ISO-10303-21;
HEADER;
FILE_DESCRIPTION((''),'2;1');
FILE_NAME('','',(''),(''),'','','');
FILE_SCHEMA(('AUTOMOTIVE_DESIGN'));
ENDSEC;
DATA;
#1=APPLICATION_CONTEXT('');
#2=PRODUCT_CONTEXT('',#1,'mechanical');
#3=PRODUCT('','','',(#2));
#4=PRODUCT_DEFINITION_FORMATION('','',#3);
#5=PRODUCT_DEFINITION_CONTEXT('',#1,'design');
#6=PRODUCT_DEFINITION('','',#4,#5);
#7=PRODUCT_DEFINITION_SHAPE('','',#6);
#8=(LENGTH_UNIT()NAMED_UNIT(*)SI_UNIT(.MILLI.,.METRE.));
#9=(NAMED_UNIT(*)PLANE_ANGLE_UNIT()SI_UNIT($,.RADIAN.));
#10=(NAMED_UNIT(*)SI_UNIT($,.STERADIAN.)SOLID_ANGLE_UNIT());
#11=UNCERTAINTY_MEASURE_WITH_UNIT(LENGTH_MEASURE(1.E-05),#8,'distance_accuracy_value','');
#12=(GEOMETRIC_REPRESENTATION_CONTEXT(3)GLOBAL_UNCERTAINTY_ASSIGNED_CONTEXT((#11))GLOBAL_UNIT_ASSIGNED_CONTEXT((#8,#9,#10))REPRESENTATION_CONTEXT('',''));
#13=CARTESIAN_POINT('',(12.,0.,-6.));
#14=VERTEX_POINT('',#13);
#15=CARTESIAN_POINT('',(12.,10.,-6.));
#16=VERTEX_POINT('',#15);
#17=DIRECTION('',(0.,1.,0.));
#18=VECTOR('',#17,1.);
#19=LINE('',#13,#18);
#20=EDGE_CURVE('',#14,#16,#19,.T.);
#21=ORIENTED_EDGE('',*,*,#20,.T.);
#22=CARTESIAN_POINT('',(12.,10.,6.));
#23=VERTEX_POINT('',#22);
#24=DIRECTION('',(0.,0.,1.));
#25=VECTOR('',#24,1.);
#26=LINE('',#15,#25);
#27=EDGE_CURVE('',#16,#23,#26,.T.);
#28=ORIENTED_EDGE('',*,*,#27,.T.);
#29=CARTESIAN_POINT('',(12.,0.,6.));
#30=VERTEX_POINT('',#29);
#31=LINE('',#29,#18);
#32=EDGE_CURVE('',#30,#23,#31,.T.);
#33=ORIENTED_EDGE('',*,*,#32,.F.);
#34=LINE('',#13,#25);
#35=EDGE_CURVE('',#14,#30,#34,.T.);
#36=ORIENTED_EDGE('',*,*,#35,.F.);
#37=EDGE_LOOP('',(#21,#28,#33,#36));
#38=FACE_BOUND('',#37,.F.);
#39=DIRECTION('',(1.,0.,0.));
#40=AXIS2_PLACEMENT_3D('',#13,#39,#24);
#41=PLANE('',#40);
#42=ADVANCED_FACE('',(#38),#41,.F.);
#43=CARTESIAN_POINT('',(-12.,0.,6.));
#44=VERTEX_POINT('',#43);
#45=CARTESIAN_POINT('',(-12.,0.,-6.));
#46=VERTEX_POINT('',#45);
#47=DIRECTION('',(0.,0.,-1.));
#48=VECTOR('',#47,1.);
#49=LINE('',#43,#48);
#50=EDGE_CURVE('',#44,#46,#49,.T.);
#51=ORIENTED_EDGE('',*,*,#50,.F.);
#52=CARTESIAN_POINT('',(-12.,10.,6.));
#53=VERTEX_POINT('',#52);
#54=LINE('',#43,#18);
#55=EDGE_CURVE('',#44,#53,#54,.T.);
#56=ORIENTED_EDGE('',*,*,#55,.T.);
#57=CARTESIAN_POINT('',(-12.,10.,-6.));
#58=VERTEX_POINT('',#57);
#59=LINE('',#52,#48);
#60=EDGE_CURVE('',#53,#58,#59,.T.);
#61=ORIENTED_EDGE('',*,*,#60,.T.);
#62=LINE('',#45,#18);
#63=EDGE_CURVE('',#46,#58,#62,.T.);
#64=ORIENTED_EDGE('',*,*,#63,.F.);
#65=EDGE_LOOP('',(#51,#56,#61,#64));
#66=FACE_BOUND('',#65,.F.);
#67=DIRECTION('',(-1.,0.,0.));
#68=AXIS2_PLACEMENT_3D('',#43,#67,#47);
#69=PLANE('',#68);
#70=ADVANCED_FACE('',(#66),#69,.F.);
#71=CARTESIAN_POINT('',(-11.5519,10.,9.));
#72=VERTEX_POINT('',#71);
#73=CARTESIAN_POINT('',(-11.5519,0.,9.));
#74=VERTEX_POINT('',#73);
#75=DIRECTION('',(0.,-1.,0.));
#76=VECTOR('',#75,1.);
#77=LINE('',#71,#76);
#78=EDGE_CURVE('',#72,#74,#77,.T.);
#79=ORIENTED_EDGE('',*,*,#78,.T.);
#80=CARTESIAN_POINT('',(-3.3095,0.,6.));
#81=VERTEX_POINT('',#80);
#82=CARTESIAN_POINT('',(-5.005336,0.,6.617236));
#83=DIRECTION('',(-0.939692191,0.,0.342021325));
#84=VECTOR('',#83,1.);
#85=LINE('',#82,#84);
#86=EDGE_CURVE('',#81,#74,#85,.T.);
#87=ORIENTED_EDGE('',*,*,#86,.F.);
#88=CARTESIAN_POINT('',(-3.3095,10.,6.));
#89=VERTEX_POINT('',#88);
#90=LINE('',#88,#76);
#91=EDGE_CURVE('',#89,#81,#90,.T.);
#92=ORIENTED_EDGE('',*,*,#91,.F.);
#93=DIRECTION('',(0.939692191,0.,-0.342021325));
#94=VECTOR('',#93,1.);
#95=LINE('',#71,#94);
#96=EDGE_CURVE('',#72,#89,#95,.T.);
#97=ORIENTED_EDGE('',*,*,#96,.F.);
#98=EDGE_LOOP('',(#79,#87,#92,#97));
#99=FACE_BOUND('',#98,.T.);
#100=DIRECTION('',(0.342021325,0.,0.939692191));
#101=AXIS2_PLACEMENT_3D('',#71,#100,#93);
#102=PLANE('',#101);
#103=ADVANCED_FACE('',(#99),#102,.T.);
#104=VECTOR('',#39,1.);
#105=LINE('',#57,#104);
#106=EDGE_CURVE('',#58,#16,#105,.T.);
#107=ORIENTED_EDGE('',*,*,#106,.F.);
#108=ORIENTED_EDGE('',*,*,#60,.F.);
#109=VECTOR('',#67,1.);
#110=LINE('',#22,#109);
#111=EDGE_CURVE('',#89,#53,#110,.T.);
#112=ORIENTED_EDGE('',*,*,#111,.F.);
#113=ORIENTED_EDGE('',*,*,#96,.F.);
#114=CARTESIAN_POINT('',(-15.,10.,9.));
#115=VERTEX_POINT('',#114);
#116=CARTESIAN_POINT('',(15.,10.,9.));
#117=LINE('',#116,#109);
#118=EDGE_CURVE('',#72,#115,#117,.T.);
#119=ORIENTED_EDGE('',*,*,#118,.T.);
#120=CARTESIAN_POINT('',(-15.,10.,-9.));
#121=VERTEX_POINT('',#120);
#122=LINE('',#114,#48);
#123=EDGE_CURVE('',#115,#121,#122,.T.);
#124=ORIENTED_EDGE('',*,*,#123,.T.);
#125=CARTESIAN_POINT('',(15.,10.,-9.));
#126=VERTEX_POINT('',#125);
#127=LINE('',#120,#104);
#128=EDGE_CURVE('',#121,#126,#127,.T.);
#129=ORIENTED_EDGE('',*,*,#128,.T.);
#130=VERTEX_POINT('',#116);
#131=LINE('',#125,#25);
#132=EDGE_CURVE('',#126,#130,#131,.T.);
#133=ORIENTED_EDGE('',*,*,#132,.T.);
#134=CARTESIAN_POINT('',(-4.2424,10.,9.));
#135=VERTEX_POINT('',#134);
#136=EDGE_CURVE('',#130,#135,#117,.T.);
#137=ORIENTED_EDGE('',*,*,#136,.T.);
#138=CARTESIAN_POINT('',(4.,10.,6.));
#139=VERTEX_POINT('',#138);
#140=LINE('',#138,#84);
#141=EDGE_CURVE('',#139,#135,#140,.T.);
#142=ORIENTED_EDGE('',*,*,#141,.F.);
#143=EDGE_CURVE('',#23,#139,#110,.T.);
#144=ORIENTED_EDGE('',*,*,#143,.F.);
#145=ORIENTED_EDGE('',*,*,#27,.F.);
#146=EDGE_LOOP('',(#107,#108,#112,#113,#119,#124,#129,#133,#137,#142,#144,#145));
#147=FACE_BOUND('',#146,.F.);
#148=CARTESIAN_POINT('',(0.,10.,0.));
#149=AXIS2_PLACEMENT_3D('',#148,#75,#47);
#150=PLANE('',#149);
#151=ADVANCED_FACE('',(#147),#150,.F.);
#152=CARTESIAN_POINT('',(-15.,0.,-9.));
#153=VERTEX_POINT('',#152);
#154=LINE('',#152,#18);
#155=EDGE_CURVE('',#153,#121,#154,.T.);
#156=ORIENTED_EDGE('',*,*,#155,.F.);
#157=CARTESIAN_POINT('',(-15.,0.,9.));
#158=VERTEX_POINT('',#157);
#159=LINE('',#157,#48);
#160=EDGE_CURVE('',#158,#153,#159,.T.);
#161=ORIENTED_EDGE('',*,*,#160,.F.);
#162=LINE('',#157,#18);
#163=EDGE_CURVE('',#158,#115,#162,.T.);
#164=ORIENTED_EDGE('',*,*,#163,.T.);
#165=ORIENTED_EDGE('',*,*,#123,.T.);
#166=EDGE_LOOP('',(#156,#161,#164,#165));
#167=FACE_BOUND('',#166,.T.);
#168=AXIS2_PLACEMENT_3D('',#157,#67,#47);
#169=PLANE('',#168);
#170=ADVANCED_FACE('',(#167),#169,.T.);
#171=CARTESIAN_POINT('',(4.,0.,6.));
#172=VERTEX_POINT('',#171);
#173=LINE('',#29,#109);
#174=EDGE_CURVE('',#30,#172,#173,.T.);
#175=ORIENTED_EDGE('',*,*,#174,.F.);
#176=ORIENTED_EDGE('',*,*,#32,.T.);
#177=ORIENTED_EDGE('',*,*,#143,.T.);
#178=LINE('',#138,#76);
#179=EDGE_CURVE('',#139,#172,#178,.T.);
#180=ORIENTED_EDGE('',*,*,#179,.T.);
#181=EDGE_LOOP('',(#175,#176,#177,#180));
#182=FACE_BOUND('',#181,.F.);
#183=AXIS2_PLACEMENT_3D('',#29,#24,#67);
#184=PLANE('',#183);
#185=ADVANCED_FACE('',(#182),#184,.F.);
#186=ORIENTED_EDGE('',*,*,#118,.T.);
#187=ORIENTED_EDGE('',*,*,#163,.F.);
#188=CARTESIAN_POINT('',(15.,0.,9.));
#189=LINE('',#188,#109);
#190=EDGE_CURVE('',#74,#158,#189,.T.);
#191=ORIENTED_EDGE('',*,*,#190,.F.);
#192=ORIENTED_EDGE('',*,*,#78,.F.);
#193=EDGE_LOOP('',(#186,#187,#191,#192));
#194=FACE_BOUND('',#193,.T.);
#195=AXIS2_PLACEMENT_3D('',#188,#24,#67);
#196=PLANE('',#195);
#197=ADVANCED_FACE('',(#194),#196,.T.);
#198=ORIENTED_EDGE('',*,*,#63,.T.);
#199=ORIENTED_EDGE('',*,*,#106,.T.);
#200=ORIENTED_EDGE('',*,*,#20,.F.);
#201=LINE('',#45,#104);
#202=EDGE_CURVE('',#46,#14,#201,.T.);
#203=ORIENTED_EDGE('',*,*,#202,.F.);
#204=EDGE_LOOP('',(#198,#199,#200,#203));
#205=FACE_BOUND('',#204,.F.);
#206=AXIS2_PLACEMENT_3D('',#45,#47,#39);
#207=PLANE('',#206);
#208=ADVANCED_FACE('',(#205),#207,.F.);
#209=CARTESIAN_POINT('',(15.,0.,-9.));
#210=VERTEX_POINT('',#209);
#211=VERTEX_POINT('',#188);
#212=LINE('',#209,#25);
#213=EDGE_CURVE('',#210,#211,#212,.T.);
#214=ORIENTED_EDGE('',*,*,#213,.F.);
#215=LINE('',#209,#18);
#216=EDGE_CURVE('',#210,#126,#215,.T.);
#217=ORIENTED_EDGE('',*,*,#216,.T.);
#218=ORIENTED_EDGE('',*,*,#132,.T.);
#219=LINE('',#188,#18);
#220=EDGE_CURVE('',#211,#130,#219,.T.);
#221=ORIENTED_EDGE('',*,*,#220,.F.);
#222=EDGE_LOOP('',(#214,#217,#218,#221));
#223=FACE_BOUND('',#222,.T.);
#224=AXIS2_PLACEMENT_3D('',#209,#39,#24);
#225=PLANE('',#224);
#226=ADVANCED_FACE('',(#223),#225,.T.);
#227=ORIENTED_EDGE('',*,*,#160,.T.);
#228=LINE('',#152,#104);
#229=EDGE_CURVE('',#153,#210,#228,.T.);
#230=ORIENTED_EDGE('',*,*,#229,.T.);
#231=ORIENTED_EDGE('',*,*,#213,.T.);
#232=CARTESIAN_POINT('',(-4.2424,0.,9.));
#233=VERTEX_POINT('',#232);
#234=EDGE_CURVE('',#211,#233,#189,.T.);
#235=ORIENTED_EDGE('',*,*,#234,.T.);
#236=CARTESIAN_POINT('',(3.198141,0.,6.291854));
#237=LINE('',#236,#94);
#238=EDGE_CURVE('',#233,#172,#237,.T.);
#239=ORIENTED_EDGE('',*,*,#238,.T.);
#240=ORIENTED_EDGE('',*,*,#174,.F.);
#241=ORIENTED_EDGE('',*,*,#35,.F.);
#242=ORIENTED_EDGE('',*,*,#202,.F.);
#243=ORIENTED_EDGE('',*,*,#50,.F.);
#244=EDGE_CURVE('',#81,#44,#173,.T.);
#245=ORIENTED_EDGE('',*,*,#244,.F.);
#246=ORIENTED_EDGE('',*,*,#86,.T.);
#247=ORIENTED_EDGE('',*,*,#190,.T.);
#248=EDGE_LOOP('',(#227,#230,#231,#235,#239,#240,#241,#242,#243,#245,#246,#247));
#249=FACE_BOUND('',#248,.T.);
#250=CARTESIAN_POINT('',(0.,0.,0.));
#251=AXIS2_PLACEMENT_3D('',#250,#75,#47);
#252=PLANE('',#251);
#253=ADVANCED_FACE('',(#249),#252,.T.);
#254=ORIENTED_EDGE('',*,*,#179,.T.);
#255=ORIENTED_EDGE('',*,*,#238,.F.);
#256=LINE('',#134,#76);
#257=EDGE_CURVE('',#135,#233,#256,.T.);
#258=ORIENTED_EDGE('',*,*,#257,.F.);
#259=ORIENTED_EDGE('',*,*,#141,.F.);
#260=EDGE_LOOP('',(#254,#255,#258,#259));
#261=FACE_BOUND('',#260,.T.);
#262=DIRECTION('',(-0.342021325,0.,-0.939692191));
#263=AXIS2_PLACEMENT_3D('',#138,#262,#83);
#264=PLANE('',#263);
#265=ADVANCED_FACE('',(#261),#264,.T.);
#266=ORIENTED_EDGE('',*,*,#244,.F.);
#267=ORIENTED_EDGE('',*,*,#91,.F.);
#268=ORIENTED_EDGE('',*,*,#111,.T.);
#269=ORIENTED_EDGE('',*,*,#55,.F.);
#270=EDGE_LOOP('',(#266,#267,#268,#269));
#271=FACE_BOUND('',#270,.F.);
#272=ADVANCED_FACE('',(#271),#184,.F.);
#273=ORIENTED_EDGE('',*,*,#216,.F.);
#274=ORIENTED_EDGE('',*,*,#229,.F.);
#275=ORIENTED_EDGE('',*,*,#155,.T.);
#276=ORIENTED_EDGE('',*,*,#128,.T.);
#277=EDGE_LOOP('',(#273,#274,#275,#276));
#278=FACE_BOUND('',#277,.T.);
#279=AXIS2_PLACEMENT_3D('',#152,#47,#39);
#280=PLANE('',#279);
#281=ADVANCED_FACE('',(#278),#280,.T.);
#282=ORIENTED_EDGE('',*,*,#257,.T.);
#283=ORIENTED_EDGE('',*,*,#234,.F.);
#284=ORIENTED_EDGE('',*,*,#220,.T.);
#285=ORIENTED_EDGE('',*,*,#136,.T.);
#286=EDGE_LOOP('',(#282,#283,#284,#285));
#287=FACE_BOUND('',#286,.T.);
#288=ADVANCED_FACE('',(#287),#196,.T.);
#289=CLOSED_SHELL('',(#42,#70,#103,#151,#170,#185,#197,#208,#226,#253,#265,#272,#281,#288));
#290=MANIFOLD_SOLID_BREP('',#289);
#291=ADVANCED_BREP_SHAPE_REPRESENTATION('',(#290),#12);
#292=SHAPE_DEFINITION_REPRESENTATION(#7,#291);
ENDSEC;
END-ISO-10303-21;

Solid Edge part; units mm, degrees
sketch "Sketch1" plane through (0, 0, 0) normal (0, -1, 0) x (1, 0, 0)
  line L0 (-12, -6) -> (12, -6)
  line L1 (12, -6) -> (12, 6)
  line L2 (12, 6) -> (-12, 6)
  line L3 (-12, 6) -> (-12, -6)
  line L4 (-15, -9) -> (15, -9)
  line L5 (15, -9) -> (15, 9)
  line L6 (15, 9) -> (-15, 9)
  line L7 (-15, 9) -> (-15, -9)
  dimension "D1" = 30
  dimension "D2" = 18
  dimension "D3" = 12
  dimension "D4" = 24
extrude "body" add sketch "Sketch1" against normal blind 10
sketch "Sketch2" plane through (0, 10, 0) normal (0, 1, 0) x (0, 0, -1)
  line L0 (-9, 11.5519) -> (-6, 3.3095)
  line L1 (-6, 3.3095) -> (-6, -4)
  line L2 (-6, -4) -> (-9, 4.2424)
  line L3 (-9, 4.2424) -> (-9, 11.5519)
  dimension "D1" = 2.5
  dimension "D2" = 8
extrude "Cutout1" cut sketch "Sketch2" against normal through all
properties material "Polyethylene, low density"
